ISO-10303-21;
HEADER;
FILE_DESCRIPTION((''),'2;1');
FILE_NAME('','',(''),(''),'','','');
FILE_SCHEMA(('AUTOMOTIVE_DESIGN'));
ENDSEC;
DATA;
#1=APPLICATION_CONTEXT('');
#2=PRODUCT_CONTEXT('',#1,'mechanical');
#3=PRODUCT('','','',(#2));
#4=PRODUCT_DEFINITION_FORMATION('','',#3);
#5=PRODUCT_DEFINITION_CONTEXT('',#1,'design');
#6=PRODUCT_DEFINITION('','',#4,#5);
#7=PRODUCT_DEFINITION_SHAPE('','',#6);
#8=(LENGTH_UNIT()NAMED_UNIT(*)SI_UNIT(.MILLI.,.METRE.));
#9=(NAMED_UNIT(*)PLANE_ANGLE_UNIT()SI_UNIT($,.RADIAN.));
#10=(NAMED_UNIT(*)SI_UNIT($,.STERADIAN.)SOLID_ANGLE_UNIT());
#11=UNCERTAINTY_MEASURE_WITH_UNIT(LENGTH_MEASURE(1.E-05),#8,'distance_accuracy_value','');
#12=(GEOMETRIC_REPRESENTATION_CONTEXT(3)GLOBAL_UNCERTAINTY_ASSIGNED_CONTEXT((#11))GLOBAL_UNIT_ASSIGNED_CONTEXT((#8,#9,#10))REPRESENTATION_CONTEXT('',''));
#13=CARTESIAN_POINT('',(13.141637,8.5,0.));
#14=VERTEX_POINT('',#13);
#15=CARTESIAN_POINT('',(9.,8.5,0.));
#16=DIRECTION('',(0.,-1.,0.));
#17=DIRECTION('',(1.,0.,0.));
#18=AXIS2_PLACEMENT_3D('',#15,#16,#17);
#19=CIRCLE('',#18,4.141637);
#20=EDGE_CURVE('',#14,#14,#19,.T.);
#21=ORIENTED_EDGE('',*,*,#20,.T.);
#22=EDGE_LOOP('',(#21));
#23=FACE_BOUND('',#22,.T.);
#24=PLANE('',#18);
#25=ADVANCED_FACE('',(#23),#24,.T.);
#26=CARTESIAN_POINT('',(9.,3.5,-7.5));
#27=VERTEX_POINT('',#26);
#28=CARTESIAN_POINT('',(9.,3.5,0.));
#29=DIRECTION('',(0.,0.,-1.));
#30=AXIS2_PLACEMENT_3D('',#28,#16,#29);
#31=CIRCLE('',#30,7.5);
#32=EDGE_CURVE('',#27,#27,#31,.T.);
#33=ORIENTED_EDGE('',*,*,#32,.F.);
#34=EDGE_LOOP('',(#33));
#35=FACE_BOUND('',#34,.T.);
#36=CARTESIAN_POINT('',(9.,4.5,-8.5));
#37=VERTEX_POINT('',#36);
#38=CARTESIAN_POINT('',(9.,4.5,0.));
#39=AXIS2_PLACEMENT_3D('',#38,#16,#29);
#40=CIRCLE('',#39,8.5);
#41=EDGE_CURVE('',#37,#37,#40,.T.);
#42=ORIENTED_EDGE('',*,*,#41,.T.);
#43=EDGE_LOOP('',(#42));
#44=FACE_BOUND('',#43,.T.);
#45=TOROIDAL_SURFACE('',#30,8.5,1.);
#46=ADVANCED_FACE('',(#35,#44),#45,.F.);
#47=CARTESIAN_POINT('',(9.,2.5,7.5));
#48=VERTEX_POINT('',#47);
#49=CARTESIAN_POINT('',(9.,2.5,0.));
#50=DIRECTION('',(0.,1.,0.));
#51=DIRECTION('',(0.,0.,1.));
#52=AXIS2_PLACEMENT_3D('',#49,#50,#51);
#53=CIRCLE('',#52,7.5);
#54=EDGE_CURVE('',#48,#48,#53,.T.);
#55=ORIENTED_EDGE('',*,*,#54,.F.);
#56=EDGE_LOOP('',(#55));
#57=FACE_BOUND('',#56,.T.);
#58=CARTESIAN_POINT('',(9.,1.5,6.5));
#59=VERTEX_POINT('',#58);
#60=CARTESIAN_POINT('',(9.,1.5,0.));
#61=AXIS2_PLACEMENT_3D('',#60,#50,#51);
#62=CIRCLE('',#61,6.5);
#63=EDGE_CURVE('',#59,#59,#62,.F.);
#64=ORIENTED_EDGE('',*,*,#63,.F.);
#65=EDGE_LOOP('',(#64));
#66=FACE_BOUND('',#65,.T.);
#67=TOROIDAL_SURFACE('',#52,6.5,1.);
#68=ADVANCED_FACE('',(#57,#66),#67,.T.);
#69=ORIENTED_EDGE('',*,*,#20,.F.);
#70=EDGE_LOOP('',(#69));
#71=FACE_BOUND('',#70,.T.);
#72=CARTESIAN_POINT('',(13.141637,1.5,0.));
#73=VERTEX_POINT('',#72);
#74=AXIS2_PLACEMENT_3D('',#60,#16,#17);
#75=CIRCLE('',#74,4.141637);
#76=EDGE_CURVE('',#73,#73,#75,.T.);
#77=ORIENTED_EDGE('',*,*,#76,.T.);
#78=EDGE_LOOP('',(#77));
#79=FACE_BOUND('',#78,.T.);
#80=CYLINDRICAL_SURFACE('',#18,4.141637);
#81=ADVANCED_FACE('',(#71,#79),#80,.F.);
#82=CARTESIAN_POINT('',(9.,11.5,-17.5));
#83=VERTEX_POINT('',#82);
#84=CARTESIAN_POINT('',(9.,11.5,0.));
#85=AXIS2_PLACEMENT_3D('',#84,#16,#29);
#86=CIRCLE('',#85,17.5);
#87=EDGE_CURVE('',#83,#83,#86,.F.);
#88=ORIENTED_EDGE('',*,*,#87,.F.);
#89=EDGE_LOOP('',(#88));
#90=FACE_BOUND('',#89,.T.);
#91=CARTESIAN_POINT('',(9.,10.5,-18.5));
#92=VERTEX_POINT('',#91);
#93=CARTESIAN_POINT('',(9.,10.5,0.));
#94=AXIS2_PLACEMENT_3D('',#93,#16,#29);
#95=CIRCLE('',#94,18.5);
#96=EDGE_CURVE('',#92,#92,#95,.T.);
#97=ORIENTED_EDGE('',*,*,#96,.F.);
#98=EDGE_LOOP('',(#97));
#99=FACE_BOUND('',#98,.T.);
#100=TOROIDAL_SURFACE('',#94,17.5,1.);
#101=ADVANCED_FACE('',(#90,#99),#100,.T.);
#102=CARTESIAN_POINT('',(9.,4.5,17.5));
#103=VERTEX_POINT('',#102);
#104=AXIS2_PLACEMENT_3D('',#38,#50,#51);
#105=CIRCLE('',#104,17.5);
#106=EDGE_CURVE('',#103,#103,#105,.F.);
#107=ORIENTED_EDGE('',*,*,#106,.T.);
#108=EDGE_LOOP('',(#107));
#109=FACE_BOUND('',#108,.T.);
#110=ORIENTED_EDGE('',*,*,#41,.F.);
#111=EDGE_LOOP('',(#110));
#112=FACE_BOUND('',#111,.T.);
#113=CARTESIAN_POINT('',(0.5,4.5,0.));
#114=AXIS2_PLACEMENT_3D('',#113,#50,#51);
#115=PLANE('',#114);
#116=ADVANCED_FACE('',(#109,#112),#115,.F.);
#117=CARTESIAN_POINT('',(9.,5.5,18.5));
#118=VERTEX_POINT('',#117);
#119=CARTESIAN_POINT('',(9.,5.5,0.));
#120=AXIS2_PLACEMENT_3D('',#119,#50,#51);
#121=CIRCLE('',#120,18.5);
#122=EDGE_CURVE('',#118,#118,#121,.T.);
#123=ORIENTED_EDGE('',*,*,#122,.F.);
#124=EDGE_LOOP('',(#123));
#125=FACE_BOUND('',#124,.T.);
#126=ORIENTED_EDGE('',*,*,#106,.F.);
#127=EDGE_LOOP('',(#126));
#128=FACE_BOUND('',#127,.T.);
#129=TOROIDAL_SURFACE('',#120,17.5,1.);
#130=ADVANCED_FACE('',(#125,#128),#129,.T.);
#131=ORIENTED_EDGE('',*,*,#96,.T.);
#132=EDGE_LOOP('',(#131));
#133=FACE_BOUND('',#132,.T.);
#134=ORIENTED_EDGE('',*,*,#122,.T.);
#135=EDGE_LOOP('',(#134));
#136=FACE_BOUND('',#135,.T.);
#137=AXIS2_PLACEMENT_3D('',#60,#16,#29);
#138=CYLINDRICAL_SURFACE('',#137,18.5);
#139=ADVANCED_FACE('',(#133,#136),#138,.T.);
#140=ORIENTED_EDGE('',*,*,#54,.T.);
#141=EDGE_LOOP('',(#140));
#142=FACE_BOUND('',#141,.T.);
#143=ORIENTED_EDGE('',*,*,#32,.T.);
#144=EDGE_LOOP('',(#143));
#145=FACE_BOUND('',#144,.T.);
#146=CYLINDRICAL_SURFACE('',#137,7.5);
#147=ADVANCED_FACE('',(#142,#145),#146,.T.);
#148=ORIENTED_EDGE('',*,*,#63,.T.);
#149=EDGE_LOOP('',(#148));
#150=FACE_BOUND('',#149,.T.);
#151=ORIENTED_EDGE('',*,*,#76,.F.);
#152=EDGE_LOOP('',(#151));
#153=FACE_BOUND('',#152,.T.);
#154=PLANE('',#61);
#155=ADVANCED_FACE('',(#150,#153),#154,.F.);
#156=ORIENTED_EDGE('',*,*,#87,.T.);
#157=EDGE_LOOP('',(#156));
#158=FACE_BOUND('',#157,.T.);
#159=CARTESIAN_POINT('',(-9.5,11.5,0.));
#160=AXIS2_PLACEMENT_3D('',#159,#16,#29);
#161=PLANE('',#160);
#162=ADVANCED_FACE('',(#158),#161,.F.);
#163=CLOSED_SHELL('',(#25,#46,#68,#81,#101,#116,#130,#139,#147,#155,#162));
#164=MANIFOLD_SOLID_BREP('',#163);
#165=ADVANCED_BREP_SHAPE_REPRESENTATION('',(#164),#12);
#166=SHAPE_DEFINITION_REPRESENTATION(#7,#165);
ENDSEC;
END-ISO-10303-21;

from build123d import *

# Parameters (mm, degrees)
SKETCH3_R          = 4.141637382
CUT_EXTRUDE1_DEPTH = 7
FILLET2_R          = 1
FILLET3_R          = 1


with BuildPart() as part:
    # Sketch2 → Revolve1 (revolve)
    with BuildSketch(Plane.XY, mode=Mode.PRIVATE) as revolve1_sk:
        with BuildLine():
            Line((1.5, 1.5), (1.5, 3.5))
            ThreePointArc((1.5, 3.5), (1.207106781, 4.207106781), (0.5, 4.5))
            Line((0.5, 4.5), (-9.5, 4.5))
            Line((-9.5, 4.5), (-9.5, 11.5))
            Line((-9.5, 11.5), (9, 11.5))
            Line((9, 11.5), (9, 1.5))
            Line((9, 1.5), (1.5, 1.5))
        make_face()
    revolve(revolve1_sk.sketch.rotate(Axis((9, 1.5, 0), (0, 1, 0)), 270), axis=Axis((9, 1.5, 0), (0, 1, 0)))

    # Sketch3 → Cut-Extrude1 (cut)
    with BuildSketch(Plane.XZ.offset(-1.5)):
        with Locations((9, 0)):
            Circle(SKETCH3_R)
    extrude(amount=-CUT_EXTRUDE1_DEPTH, mode=Mode.SUBTRACT)

    # Fillet2
    fillet2_edges = [part.edges().sort_by_distance(p)[0] for p in [
        (9, 4.5, 18.5),
        (9, 11.5, 18.5),
    ]]
    fillet(fillet2_edges, radius=FILLET2_R)

    # Fillet3
    fillet3_edges = [part.edges().sort_by_distance(p)[0] for p in [
        (9, 1.5, 7.5),
    ]]
    fillet(fillet3_edges, radius=FILLET3_R)


solid = part.part
